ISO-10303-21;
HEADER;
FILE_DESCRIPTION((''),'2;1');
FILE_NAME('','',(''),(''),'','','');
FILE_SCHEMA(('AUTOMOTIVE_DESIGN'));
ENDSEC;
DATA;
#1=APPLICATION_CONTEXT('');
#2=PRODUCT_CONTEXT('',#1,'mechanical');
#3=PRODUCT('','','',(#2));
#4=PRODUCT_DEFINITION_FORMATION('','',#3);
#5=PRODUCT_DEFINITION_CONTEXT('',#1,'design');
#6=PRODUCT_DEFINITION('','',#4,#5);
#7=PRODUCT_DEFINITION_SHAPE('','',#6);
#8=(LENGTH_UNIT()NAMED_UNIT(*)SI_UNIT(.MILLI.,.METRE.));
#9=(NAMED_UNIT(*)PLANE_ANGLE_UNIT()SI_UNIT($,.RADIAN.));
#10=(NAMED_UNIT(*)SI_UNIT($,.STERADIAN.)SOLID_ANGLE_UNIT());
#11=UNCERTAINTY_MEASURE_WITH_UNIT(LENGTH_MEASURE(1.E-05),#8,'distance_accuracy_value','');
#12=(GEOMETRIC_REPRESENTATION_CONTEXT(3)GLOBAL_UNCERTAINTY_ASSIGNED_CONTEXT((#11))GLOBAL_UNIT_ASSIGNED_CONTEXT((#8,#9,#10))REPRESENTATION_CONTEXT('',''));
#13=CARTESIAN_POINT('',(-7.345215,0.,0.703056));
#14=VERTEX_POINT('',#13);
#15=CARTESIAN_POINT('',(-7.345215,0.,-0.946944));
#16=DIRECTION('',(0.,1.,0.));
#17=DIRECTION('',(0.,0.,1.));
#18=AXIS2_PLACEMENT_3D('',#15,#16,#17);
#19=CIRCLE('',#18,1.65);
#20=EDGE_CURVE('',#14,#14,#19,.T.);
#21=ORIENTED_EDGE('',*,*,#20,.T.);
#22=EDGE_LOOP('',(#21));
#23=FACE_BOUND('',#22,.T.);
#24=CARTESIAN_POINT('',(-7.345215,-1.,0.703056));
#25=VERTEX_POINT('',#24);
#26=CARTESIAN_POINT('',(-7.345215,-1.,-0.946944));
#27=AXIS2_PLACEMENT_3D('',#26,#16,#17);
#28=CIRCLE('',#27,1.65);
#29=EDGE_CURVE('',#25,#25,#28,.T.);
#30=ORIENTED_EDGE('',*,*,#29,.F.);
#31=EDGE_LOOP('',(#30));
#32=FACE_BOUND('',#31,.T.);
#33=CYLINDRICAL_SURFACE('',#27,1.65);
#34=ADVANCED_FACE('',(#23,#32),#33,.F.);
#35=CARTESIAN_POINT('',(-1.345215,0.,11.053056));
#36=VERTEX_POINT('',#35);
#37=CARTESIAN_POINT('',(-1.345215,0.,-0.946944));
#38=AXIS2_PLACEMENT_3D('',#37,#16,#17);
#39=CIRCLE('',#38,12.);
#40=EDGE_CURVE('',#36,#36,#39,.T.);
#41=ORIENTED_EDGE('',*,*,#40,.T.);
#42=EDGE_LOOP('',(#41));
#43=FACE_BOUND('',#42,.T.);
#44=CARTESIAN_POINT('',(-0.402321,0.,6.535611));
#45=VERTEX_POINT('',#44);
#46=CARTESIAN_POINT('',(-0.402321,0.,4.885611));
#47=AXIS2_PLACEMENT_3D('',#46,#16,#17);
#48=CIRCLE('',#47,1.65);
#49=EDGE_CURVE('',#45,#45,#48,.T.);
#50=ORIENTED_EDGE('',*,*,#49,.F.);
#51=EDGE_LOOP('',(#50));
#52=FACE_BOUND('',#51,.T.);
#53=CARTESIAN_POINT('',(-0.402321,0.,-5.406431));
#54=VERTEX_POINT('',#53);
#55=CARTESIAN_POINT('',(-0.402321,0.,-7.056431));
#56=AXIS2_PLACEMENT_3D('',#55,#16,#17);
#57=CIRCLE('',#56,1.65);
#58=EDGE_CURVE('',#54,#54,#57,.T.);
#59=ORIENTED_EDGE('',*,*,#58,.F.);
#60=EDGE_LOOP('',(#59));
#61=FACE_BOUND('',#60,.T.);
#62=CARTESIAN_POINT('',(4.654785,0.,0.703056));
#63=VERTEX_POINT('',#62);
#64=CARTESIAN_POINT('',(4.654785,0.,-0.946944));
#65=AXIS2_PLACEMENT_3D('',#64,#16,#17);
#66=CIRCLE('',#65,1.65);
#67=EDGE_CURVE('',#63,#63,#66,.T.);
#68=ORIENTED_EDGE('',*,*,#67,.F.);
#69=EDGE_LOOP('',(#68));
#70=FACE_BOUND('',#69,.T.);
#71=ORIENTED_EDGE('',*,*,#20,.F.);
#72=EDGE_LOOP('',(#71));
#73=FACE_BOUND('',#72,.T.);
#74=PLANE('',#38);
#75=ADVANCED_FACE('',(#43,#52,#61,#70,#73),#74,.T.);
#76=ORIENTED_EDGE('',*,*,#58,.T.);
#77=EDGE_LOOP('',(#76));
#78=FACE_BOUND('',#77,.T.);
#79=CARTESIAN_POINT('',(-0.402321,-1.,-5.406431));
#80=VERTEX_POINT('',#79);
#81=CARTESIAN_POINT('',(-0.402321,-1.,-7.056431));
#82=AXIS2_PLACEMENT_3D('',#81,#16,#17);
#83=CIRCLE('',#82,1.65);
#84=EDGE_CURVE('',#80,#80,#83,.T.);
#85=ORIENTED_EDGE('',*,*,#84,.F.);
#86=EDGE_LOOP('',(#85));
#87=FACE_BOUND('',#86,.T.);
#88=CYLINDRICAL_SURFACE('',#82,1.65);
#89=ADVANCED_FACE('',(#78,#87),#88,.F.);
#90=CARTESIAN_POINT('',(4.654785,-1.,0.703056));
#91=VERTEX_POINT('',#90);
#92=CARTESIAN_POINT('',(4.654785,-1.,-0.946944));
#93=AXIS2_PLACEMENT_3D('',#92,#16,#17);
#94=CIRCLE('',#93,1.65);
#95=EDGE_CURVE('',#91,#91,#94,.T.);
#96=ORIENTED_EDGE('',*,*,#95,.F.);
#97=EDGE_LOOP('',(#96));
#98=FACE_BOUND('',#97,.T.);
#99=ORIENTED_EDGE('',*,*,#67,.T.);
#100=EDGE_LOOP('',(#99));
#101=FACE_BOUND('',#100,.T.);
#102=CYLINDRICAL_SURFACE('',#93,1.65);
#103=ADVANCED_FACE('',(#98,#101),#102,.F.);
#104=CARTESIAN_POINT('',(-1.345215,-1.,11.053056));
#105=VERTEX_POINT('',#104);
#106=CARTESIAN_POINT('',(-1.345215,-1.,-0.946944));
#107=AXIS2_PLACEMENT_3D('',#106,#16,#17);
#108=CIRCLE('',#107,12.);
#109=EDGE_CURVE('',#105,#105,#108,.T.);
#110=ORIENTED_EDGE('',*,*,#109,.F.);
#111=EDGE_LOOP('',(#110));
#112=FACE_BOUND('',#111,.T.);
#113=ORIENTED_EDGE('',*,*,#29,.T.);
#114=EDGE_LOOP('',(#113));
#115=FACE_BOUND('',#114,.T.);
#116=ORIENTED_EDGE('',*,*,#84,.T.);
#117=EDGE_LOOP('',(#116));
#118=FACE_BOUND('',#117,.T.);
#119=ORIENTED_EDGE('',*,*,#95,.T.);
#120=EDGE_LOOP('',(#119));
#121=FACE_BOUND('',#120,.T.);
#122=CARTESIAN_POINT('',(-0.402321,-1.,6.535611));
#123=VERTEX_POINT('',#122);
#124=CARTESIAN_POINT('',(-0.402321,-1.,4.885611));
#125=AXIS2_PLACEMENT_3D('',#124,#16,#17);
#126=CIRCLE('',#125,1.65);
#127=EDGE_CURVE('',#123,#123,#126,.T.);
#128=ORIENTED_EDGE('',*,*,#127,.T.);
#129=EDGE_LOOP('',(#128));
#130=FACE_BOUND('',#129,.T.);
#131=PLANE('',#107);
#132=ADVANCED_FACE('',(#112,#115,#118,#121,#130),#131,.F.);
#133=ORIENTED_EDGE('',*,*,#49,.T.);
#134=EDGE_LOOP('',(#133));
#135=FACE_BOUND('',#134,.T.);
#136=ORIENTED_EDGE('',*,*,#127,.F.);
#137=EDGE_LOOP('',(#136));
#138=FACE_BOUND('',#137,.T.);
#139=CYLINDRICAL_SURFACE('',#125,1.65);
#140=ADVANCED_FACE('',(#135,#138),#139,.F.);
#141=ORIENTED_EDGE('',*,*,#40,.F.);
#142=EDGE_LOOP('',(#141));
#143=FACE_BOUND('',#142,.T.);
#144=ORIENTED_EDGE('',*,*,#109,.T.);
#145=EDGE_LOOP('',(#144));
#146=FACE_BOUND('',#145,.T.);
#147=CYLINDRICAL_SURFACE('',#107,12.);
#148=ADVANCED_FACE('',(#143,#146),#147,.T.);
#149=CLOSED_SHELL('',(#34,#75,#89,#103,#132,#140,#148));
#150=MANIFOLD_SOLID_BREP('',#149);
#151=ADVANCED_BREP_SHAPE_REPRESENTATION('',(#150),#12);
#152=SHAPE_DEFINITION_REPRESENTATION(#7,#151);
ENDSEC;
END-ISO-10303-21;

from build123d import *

# Parameters (mm, degrees)
SKETCH1_R           = 12
BOSS_EXTRUDE1_DEPTH = 1
SKETCH1_3_R         = 1.65
CUT_EXTRUDE1_DEPTH  = 1


with BuildPart() as part:
    # Sketch1 → Boss-Extrude1 (new body)
    with BuildSketch(Plane(origin=(0, 0, 0), x_dir=(1, 0, 0), z_dir=(0, 1, 0))):
        with Locations((-1.34521469, 0.946943509)):
            Circle(SKETCH1_R)
    extrude(amount=-BOSS_EXTRUDE1_DEPTH)

    # Sketch1<3> → Cut-Extrude1 (cut)
    with BuildSketch(Plane(origin=(0, 0, 0), x_dir=(1, 0, 0), z_dir=(0, 1, 0))):
        with Locations((-0.402320715, 7.056431016)):
            Circle(SKETCH1_3_R)
        with Locations((-0.402320715, -4.885610672)):
            Circle(SKETCH1_3_R)
        with Locations((-7.34521469, 0.946943509)):
            Circle(SKETCH1_3_R)
        with Locations((4.65478531, 0.946943509)):
            Circle(SKETCH1_3_R)
    extrude(amount=-CUT_EXTRUDE1_DEPTH, mode=Mode.SUBTRACT)


solid = part.part
